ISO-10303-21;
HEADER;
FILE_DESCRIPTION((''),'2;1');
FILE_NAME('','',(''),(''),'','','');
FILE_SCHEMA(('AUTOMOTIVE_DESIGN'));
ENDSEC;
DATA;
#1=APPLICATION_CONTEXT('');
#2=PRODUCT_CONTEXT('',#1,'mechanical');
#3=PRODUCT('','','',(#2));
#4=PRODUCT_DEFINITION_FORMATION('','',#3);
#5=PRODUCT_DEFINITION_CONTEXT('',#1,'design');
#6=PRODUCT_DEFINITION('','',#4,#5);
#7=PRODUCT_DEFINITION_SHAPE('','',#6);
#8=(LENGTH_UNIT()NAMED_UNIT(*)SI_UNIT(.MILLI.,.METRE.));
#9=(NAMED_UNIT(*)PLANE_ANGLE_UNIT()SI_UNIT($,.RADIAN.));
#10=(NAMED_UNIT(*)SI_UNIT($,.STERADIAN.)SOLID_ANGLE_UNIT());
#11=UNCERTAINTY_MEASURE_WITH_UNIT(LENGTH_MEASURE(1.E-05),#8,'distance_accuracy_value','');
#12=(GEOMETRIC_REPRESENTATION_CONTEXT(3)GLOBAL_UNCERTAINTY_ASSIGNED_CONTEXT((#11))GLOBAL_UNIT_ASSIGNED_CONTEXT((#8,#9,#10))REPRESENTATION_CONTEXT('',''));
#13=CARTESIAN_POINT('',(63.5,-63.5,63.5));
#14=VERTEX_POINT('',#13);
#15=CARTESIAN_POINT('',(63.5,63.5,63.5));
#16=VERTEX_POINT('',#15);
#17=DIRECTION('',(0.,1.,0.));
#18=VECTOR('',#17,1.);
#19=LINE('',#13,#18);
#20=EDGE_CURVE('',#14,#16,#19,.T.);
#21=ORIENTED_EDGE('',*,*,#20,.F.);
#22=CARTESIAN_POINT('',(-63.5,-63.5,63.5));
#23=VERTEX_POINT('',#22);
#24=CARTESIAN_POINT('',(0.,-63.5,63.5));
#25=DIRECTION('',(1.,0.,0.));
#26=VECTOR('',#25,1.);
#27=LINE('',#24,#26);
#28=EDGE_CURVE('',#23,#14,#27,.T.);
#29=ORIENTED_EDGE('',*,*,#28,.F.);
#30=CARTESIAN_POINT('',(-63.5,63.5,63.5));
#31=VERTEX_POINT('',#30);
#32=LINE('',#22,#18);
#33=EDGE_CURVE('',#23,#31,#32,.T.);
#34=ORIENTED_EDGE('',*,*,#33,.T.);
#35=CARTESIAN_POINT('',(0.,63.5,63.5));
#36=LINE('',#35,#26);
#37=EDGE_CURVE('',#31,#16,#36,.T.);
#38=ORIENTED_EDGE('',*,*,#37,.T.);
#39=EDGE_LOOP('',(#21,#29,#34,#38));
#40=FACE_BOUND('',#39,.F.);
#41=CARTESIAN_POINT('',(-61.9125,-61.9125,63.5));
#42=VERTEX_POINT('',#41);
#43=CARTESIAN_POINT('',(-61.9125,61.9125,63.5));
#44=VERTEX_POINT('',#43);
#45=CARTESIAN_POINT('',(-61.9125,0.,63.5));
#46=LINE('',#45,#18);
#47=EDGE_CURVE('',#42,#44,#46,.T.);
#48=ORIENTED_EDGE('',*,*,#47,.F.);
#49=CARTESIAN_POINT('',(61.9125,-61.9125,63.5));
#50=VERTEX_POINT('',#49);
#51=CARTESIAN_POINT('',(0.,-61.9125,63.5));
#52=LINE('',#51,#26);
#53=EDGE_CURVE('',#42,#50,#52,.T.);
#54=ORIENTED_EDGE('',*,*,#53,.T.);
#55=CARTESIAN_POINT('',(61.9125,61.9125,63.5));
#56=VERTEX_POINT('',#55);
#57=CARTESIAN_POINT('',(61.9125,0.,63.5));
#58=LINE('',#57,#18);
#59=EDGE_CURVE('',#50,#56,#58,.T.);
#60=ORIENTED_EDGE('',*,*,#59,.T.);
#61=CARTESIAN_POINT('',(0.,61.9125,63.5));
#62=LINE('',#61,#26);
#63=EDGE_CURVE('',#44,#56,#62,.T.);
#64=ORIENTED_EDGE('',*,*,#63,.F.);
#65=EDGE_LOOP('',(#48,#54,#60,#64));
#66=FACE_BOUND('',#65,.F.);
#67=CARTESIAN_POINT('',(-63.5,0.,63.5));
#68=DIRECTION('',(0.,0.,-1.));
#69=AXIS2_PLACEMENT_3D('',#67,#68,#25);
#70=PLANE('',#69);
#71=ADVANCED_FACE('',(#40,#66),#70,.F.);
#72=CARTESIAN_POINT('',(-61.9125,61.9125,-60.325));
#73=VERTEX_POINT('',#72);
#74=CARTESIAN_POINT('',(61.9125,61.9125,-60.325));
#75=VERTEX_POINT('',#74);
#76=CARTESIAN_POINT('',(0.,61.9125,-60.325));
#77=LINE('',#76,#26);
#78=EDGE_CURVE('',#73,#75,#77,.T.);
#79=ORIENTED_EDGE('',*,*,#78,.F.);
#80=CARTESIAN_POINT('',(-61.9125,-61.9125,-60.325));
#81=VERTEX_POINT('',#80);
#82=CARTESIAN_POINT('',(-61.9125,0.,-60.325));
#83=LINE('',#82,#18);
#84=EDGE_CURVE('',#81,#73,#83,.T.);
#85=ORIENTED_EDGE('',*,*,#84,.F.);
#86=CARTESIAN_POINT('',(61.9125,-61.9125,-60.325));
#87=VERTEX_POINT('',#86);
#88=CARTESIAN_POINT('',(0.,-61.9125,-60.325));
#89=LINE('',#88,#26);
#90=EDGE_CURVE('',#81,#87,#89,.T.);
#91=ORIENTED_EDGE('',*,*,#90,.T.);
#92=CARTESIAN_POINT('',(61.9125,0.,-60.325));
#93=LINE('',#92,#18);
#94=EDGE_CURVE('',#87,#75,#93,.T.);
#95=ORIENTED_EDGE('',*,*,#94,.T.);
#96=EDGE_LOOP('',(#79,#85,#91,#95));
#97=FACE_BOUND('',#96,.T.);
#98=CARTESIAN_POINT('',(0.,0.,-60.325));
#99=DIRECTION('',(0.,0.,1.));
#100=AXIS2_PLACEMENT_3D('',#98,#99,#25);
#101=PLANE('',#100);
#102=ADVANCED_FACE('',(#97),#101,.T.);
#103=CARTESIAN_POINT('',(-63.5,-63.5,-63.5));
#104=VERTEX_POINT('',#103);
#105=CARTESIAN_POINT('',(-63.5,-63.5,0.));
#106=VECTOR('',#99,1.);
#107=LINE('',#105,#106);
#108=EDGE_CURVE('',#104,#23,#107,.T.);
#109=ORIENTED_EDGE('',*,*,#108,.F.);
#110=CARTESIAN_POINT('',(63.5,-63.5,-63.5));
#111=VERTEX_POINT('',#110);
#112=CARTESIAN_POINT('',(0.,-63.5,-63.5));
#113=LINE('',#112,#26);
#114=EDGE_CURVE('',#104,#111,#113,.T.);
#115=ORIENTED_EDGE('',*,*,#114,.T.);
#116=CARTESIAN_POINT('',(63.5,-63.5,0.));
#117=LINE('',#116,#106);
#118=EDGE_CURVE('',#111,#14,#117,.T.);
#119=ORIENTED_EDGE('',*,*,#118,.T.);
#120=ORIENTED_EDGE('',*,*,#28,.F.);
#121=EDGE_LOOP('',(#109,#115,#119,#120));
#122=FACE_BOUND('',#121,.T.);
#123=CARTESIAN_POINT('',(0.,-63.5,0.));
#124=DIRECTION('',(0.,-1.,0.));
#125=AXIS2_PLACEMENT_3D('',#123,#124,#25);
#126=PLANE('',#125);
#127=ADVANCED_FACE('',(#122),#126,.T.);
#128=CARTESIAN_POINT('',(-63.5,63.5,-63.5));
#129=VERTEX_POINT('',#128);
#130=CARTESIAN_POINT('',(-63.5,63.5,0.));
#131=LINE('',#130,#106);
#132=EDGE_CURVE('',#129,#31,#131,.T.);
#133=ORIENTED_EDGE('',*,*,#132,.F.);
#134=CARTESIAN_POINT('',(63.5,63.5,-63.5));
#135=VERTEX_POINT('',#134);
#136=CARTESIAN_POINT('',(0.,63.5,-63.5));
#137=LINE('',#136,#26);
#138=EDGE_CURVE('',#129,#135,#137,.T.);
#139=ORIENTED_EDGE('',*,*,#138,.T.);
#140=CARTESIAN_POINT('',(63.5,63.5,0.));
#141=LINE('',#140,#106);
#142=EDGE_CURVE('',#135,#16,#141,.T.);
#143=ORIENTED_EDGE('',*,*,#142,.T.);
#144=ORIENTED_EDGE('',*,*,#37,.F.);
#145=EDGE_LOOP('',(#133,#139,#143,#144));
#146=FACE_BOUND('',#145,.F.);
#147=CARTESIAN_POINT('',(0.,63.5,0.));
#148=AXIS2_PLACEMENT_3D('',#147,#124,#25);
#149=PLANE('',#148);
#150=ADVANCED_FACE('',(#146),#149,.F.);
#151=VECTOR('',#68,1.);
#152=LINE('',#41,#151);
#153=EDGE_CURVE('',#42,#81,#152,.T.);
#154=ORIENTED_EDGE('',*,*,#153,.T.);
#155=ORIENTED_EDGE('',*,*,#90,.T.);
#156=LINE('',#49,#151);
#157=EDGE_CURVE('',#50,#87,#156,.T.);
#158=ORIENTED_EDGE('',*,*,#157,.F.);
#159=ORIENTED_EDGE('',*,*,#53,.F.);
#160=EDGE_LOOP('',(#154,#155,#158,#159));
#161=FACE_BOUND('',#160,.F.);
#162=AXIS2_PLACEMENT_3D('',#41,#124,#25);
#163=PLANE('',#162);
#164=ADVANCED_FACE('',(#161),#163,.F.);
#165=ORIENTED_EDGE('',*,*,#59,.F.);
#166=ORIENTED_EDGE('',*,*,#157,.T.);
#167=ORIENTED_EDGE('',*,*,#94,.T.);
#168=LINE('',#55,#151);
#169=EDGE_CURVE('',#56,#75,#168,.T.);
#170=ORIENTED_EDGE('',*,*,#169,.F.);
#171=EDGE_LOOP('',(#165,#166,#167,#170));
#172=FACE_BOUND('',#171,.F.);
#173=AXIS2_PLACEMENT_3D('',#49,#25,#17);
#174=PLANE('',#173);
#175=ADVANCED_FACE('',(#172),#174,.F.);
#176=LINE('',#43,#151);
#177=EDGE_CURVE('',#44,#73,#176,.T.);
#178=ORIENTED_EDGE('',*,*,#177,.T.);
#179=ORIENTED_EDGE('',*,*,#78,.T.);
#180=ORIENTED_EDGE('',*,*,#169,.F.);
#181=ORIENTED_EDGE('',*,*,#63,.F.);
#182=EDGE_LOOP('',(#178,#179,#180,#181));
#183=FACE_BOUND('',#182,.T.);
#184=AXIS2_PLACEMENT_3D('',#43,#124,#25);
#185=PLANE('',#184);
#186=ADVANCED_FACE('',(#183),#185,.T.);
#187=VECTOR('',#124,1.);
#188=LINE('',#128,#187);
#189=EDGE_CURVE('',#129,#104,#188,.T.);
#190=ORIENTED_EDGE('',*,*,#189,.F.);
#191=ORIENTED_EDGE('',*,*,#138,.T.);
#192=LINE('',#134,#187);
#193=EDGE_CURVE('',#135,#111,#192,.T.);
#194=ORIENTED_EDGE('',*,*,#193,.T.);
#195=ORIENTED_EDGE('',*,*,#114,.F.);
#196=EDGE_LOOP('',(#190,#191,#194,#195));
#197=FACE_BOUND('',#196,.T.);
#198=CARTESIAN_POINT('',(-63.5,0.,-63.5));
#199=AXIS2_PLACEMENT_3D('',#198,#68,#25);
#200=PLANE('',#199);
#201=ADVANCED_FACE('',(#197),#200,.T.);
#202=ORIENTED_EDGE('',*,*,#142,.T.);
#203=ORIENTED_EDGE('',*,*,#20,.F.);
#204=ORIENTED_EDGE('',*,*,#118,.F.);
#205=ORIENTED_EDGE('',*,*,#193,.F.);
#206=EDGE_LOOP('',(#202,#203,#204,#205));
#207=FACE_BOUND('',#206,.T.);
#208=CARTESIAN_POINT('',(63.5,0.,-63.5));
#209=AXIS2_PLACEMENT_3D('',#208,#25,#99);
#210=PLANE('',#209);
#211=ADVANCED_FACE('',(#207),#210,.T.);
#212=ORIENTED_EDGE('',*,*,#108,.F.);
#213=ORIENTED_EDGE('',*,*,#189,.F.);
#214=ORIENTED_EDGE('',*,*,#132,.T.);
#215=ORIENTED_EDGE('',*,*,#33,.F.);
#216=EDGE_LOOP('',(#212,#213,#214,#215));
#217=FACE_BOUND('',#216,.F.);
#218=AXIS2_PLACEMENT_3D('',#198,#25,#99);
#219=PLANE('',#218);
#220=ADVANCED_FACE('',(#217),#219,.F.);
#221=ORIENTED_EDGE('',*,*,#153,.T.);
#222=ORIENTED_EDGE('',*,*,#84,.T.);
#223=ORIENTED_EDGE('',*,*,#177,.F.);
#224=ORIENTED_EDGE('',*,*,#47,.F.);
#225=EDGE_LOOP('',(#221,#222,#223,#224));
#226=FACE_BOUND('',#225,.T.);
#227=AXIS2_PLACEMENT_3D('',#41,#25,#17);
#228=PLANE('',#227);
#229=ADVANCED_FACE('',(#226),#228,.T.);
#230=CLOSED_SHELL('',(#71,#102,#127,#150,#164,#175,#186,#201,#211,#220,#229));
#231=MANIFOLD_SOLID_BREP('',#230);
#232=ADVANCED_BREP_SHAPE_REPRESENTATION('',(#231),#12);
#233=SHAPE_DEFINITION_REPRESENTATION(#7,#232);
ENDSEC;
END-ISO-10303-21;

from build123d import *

# Parameters (mm, degrees)
F0_W     = 127
F0_H     = 127
F1_DEPTH = 63.5
F2_W     = 123.825
F2_H     = 123.825
F3_DEPTH = 123.825


with BuildPart() as f1:
    # F0 (on Front) → F1 (new body, symmetric)
    with BuildSketch(Plane.XZ):
        Rectangle(F0_W, F0_H)
    extrude(amount=F1_DEPTH, both=True)

    # F2 (on face) → F3 (cut)
    with BuildSketch(Plane.XY.offset(63.5)):
        Rectangle(F2_W, F2_H)
    extrude(amount=-F3_DEPTH, mode=Mode.SUBTRACT)


solid = f1.part
